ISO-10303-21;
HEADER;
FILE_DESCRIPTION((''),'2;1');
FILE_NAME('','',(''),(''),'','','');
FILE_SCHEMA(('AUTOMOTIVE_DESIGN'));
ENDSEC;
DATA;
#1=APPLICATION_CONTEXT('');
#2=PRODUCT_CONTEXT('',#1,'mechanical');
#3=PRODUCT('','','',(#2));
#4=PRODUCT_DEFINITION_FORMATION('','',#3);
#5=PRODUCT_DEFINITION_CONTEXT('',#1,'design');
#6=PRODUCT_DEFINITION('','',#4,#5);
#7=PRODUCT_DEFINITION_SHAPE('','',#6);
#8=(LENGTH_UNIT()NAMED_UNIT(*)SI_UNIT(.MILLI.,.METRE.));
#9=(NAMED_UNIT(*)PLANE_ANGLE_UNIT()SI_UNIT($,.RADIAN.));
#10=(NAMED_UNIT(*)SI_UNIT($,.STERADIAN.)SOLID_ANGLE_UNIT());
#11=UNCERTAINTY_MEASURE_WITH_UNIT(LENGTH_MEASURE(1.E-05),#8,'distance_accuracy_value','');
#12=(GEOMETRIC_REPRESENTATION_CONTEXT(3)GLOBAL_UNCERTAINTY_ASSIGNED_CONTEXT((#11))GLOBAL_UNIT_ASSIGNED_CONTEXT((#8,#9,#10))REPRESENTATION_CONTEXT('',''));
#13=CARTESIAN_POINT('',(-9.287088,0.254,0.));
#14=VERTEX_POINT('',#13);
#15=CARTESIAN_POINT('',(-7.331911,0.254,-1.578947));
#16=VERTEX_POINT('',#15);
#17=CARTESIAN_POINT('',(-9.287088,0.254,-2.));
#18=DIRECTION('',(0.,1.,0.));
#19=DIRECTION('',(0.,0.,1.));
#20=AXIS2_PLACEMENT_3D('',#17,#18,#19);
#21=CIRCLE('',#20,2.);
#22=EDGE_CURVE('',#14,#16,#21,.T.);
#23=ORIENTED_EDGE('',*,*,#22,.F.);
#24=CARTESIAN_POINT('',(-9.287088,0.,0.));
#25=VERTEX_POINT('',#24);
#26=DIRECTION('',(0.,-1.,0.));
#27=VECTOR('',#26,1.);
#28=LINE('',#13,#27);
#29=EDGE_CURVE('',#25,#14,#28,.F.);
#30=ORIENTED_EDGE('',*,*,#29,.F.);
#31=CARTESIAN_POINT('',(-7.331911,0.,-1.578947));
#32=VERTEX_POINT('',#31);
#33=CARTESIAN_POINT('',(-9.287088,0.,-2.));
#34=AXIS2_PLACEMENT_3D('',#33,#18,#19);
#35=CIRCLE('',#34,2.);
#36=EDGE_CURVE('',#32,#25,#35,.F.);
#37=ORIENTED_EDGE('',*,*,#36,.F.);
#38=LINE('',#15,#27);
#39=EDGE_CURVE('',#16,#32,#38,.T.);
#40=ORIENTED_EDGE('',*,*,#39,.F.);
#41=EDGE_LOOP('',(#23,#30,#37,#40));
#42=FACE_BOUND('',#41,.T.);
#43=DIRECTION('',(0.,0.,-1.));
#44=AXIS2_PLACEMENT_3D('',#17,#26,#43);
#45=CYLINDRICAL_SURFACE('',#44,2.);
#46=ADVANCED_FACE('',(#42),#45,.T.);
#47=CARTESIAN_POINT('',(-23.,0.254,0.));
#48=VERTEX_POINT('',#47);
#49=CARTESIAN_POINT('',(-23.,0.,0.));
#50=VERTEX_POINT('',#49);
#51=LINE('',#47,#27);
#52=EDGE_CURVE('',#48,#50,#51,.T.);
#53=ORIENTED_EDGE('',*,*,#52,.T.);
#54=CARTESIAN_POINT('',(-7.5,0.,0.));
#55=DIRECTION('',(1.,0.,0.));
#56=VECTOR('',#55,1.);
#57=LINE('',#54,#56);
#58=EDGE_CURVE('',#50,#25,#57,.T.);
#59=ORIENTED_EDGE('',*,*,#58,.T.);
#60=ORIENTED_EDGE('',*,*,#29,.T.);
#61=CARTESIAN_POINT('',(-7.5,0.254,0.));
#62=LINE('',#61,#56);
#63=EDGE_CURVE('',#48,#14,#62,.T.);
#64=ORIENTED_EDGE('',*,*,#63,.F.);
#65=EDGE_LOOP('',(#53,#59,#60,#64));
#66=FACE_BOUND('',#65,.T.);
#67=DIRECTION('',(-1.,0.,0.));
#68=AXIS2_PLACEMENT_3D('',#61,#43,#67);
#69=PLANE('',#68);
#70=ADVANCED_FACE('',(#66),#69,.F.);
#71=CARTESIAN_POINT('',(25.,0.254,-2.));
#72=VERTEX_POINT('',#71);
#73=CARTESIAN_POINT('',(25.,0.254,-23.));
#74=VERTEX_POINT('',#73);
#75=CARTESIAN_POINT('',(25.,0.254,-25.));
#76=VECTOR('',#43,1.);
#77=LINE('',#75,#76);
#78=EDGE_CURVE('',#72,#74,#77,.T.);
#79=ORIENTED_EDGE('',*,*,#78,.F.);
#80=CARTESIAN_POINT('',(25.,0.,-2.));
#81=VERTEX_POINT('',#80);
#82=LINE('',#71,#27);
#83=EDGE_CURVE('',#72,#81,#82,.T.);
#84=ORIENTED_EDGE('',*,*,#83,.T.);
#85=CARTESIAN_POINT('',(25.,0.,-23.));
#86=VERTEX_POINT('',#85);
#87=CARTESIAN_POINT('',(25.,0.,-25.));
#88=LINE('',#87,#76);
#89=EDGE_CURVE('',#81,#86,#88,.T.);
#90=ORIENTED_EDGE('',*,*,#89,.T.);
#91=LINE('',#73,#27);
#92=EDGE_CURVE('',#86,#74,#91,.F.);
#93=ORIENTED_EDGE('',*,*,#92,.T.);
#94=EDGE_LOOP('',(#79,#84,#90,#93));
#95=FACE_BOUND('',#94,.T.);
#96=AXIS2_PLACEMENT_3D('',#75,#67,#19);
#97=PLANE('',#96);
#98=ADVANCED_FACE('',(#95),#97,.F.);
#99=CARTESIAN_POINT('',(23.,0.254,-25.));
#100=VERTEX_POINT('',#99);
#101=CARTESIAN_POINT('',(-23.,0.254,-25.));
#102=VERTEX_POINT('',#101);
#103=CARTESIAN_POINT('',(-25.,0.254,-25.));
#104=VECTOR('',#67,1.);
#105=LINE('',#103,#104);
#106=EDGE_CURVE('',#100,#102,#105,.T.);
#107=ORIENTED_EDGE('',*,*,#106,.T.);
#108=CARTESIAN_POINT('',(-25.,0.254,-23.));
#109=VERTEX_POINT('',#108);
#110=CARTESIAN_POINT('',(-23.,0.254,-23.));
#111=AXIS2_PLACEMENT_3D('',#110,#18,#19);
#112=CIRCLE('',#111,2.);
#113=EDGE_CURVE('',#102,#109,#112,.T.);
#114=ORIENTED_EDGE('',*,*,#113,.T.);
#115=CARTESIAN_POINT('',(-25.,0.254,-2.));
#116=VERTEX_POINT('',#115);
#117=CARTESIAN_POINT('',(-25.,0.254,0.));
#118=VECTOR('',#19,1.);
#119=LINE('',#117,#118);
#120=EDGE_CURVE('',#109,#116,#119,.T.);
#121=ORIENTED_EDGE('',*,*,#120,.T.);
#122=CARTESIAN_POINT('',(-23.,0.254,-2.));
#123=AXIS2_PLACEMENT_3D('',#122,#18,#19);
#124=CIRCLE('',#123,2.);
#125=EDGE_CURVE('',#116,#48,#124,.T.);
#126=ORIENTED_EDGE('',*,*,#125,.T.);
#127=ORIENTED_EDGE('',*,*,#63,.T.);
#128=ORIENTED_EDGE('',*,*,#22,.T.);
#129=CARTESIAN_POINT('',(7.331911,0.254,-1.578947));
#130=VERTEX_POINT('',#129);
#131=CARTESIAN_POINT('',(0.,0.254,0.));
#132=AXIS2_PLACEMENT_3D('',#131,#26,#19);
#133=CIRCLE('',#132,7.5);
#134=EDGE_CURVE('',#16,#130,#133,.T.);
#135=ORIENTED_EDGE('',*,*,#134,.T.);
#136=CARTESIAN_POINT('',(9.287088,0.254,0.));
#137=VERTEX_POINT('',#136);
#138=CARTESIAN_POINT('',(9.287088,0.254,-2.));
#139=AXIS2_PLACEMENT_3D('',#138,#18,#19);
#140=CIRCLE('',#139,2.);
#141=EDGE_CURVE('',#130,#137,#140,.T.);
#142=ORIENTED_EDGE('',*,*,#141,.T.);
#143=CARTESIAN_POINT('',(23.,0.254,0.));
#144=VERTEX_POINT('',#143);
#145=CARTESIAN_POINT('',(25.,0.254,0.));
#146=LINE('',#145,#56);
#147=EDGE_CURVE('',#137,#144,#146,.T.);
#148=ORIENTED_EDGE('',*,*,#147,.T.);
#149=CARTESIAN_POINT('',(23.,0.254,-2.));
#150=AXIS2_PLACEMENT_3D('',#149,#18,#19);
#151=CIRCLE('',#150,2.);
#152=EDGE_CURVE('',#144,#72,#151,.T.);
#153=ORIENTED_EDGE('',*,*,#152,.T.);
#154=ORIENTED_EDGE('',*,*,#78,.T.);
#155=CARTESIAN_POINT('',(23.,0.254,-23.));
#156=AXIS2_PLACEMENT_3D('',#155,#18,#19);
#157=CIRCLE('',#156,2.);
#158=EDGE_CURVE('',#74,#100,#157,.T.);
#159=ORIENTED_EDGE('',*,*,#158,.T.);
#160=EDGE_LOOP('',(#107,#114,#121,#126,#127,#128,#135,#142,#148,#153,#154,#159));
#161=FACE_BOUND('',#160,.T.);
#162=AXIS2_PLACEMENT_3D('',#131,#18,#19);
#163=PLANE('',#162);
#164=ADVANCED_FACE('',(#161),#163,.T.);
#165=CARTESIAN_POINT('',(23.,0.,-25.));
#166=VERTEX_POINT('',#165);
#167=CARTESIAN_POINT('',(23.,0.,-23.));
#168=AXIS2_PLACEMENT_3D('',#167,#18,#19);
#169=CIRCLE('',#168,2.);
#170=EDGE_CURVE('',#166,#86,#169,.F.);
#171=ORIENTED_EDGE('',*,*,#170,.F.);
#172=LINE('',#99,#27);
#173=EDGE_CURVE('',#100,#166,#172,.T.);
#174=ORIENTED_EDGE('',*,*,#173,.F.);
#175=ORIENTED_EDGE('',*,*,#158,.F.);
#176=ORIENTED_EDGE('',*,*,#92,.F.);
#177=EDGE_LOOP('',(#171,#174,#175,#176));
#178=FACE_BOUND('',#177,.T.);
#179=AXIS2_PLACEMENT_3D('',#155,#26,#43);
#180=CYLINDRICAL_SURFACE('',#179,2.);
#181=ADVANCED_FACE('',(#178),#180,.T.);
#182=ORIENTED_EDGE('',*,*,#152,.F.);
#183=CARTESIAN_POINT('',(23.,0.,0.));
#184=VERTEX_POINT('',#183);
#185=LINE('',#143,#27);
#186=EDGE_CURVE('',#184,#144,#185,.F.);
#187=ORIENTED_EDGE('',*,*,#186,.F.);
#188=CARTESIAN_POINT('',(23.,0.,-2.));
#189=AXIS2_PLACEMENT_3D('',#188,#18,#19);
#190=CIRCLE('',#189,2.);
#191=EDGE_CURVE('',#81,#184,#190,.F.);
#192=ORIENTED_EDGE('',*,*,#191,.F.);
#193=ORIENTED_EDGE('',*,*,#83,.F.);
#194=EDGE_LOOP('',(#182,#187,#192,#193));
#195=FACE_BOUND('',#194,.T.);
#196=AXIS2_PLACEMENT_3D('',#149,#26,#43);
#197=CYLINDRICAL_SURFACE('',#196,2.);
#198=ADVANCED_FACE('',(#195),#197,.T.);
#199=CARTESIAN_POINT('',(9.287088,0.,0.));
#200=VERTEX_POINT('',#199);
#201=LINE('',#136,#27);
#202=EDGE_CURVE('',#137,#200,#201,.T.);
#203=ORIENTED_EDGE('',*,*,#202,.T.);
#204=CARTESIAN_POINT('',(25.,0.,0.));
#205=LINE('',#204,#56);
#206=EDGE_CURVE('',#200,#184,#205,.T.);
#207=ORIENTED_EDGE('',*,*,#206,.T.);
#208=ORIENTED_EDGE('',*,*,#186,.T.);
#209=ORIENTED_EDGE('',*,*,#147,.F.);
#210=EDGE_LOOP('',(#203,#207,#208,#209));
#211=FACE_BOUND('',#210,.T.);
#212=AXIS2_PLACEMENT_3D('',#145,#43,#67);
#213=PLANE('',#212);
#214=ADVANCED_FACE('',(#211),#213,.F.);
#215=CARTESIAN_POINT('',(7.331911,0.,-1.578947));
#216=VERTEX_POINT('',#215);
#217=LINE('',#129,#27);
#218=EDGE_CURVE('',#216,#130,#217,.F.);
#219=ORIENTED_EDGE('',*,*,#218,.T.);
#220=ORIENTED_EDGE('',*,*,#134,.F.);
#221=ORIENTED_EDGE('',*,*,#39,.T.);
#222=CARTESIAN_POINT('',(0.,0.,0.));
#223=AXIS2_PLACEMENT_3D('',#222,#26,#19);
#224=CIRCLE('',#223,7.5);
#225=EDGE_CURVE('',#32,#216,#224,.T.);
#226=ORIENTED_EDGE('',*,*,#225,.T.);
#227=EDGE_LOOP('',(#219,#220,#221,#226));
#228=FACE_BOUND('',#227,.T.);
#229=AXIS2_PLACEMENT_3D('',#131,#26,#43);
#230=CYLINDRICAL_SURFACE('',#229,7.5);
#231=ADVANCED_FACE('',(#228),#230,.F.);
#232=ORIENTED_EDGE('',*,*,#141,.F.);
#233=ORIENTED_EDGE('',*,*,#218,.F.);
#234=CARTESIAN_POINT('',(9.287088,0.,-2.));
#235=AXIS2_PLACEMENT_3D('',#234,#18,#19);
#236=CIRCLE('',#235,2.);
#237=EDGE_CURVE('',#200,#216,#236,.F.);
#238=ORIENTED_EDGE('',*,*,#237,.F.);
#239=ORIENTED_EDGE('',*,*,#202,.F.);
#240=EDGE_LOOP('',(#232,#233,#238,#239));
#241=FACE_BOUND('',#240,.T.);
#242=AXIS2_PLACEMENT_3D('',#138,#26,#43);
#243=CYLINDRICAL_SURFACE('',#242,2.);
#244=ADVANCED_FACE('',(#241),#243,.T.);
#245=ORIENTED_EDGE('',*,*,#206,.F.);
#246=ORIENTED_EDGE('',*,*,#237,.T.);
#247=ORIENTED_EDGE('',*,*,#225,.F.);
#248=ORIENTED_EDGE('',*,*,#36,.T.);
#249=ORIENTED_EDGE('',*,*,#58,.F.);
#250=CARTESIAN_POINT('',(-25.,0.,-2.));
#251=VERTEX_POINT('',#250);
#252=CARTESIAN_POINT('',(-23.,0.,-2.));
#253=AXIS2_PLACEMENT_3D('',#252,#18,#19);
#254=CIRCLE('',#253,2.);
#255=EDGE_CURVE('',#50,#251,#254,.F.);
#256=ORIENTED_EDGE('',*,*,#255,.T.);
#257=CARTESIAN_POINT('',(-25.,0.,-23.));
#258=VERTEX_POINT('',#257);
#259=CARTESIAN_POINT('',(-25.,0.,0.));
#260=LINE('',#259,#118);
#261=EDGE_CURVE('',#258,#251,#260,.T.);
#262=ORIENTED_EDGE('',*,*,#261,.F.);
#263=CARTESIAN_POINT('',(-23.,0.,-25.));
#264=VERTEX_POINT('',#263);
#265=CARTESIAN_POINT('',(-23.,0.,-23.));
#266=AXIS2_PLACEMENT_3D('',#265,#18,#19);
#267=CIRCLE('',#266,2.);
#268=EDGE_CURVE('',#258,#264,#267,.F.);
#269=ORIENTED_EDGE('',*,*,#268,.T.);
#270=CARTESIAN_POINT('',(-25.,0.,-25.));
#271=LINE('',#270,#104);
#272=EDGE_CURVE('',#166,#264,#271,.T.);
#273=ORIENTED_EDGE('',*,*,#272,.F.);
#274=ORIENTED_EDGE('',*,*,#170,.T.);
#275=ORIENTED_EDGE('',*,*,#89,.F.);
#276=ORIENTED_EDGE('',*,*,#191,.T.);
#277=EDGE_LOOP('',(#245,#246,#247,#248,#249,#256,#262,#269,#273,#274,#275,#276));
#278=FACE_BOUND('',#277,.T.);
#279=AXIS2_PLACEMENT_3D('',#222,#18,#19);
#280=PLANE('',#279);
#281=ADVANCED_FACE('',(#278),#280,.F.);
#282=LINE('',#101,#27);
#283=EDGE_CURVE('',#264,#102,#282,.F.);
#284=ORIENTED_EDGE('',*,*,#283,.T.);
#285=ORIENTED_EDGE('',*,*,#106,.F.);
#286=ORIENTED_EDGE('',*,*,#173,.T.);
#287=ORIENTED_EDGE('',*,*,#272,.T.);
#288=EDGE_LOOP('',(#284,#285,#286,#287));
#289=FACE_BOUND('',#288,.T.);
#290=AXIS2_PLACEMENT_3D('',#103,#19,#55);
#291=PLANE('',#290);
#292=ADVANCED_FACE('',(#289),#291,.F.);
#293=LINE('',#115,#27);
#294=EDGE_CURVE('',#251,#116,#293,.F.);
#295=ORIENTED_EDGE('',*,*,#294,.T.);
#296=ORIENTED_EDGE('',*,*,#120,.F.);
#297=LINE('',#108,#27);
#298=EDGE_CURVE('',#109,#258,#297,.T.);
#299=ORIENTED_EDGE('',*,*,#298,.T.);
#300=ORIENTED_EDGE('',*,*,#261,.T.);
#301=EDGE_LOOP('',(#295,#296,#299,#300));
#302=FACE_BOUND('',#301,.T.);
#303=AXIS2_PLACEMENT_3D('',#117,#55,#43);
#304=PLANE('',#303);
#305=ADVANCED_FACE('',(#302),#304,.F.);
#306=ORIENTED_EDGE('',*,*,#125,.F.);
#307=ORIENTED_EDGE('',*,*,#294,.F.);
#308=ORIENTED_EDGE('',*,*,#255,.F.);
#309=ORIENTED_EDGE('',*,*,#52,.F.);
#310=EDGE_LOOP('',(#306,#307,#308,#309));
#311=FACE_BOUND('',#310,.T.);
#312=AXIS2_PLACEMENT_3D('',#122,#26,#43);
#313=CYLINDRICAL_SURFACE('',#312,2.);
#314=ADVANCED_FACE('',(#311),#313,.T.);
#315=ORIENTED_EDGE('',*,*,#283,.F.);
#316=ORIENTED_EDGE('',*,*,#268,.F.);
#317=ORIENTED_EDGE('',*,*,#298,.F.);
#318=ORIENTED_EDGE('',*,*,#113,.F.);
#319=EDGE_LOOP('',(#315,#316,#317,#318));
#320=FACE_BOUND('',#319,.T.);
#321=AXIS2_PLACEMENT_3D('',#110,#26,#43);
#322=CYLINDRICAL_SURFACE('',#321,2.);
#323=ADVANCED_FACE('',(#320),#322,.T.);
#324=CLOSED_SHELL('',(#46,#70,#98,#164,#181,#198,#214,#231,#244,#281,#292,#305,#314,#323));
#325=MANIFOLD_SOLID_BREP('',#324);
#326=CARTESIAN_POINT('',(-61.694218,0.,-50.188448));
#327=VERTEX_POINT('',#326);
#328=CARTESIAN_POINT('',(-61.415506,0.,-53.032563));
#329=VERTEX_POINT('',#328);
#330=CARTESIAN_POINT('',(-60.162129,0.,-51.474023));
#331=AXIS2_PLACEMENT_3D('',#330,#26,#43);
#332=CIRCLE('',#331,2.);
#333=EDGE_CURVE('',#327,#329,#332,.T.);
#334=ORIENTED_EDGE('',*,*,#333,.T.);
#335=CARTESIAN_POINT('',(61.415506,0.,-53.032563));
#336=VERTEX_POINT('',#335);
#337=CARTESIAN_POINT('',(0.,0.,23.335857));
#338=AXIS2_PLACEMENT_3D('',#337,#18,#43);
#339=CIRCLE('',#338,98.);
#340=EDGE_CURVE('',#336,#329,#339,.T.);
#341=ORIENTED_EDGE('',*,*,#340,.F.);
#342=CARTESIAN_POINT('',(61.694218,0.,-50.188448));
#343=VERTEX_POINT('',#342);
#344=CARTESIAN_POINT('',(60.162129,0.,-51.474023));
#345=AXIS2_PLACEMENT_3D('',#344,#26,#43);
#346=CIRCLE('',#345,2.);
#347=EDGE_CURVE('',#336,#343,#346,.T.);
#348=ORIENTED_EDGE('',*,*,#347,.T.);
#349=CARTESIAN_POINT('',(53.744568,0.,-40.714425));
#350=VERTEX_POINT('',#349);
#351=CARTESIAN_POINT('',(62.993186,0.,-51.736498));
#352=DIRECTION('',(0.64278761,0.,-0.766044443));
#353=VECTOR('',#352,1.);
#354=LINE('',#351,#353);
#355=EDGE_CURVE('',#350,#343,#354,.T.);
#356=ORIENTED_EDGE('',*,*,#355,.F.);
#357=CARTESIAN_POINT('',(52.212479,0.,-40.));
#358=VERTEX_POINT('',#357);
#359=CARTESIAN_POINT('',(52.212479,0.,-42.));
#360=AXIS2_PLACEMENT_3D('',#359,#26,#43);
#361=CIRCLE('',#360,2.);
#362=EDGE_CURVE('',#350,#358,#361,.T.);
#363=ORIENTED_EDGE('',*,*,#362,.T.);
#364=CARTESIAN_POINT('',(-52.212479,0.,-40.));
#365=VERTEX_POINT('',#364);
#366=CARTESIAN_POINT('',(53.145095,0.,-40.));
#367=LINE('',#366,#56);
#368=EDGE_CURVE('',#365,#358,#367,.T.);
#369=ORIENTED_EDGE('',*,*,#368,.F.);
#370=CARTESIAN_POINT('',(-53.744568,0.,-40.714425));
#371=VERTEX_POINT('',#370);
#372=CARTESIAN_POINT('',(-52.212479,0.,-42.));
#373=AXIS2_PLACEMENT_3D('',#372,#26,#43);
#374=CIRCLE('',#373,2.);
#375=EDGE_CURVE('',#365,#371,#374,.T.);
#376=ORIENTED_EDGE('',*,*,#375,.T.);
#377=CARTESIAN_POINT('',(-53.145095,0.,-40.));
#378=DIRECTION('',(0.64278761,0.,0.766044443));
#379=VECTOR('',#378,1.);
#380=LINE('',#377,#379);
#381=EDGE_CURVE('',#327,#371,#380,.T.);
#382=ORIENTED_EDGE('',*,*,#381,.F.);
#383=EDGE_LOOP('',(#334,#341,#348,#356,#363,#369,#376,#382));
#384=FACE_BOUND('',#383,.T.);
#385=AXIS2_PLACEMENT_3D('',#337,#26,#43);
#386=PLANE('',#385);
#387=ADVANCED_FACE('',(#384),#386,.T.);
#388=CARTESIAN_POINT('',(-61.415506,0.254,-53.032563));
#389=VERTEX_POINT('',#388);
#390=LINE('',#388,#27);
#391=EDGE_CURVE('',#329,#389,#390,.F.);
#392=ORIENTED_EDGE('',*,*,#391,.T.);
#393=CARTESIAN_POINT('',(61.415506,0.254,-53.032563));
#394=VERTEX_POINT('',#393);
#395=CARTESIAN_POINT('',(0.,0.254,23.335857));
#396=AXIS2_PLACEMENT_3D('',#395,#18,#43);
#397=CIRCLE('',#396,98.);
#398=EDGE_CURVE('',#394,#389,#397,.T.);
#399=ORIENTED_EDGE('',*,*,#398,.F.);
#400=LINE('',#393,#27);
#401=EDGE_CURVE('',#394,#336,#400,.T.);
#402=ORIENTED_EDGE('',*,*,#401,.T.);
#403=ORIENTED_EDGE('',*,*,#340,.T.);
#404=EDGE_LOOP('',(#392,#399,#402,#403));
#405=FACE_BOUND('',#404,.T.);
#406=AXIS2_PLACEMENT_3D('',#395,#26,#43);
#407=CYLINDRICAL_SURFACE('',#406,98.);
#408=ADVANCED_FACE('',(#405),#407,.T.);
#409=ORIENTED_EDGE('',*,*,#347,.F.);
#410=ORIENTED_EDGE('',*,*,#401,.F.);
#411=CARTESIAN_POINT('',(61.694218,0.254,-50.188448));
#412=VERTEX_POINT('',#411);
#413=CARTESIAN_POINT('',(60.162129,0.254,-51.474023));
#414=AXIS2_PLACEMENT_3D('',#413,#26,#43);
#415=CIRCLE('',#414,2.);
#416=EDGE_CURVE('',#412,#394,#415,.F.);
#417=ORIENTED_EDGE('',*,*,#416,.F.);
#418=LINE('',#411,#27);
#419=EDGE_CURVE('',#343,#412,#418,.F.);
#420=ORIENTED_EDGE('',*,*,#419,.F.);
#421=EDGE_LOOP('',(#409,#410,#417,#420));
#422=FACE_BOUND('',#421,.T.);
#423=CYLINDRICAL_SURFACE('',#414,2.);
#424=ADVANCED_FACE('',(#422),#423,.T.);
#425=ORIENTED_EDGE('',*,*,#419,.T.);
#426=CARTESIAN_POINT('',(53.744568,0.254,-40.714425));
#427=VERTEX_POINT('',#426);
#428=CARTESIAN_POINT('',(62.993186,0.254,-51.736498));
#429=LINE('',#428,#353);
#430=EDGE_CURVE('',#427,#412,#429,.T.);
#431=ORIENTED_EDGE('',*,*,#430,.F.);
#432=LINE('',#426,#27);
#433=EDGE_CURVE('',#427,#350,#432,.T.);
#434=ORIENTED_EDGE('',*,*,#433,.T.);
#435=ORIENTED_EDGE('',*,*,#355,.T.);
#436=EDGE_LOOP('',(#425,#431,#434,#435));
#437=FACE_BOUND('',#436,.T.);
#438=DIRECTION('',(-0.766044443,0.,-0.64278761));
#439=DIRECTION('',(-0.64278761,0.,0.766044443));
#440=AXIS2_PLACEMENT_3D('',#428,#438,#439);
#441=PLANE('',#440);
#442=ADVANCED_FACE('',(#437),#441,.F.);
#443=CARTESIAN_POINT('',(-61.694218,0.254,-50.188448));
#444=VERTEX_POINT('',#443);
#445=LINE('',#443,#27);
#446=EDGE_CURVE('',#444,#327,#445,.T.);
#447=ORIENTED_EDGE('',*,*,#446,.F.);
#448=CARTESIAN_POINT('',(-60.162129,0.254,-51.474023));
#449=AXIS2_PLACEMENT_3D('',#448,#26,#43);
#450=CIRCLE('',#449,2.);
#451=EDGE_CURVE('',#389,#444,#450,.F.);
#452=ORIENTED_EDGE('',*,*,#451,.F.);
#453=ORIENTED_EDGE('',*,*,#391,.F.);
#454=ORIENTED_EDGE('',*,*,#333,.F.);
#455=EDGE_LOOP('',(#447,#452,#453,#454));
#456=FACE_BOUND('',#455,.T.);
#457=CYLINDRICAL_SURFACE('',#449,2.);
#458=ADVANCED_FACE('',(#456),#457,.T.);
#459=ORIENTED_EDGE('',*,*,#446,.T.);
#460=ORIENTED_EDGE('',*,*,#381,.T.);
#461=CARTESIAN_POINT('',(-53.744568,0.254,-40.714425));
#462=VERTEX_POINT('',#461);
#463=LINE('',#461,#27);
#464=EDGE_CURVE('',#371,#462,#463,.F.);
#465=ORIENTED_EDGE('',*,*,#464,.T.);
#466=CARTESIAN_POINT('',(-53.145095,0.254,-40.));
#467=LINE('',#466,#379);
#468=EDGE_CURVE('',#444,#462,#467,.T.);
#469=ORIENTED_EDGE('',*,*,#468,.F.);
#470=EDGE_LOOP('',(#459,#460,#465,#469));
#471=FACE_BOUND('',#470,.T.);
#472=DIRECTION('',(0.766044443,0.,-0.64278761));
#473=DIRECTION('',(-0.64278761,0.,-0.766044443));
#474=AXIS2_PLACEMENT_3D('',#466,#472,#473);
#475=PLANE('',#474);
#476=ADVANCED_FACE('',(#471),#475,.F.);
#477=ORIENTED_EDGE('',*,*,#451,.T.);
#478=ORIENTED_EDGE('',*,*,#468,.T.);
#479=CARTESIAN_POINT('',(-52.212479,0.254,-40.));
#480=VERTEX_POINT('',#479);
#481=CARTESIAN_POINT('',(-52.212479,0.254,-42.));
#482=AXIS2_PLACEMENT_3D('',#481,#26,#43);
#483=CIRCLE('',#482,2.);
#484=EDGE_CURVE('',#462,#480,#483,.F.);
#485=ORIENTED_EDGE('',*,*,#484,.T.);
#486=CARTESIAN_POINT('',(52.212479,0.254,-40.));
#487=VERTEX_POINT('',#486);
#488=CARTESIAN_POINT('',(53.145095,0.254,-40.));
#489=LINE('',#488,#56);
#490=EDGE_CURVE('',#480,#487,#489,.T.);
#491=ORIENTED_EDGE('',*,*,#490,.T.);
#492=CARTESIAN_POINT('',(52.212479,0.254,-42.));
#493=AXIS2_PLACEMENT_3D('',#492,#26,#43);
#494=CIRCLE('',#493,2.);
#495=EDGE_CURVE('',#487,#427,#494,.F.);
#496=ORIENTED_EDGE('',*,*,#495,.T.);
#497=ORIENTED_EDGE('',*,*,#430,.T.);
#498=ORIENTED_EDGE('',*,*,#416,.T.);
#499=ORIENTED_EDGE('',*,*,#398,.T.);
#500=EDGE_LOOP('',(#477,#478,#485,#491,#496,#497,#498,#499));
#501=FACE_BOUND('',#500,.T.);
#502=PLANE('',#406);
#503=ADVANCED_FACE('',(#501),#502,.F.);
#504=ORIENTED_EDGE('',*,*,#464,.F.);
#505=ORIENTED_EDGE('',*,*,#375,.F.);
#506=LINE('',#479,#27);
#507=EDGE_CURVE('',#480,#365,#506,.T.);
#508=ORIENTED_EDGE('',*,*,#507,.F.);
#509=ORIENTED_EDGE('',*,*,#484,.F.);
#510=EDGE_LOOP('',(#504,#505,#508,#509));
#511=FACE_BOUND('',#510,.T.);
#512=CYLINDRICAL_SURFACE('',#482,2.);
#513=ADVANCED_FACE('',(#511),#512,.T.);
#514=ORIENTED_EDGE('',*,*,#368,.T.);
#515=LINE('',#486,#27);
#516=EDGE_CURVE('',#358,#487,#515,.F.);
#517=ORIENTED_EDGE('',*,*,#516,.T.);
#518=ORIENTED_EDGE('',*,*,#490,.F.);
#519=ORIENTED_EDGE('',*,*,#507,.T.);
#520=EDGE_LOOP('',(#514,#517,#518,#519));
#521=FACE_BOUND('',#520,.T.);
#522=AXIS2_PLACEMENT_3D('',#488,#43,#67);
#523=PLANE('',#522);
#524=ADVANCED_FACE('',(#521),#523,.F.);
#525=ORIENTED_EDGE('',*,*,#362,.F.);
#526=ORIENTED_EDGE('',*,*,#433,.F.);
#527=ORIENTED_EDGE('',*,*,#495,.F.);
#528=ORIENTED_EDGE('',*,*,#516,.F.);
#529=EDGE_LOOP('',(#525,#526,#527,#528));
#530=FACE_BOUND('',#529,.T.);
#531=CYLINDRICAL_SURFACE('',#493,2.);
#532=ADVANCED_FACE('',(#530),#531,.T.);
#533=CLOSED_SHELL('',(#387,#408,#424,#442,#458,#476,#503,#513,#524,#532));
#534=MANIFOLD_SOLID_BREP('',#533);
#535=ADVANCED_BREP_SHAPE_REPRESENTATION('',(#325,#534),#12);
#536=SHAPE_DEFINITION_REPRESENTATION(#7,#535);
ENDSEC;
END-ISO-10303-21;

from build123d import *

# Parameters (mm, degrees)
BOSS_EXTRUDE1_DEPTH   = 0.254
BOSS_EXTRUDE1_2_DEPTH = 0.254
FILLET1_R             = 2
FILLET2_R             = 2


with BuildPart() as part:
    # Sketch1 → Boss-Extrude1 (new body)
    with BuildSketch(Plane(origin=(0, 0, 0), x_dir=(1, 0, 0), z_dir=(0, 1, 0))):
        with BuildLine():
            Line((-7.5, 0), (-25, 0))
            Line((-25, 0), (-25, 25))
            Line((-25, 25), (25, 25))
            Line((25, 25), (25, 0))
            Line((25, 0), (7.5, 0))
            ThreePointArc((7.5, 0), (0, 7.5), (-7.5, 0))
        make_face()
    extrude(amount=BOSS_EXTRUDE1_DEPTH)

    # Fillet2
    fillet2_edges = [part.edges().sort_by_distance(p)[0] for p in [
        (-7.5, 0.127, 0),
        (-25, 0.127, 0),
        (-25, 0.127, -25),
        (25, 0.127, -25),
        (25, 0.127, 0),
        (7.5, 0.127, 0),
    ]]
    fillet(fillet2_edges, radius=FILLET2_R)


with BuildPart() as body_2:
    # Sketch1 → Boss-Extrude1 2 (new body)
    with BuildSketch(Plane(origin=(0, 0, 0), x_dir=(1, 0, 0), z_dir=(0, 1, 0))):
        with BuildLine():
            Line((53.145094587, 40), (-53.145094587, 40))
            Line((-53.145094587, 40), (-62.993185749, 51.736498023))
            ThreePointArc((-62.993185749, 51.736498023), (0, 74.664142597), (62.993185749, 51.736498023))
            Line((62.993185749, 51.736498023), (53.145094587, 40))
        make_face()
    extrude(amount=BOSS_EXTRUDE1_2_DEPTH)

    # Fillet1
    fillet1_edges = [body_2.edges().sort_by_distance(p)[0] for p in [
        (53.145094587, 0.127, -40),
        (-53.145094587, 0.127, -40),
        (-62.993185749, 0.127, -51.736498023),
        (62.993185749, 0.127, -51.736498023),
    ]]
    fillet(fillet1_edges, radius=FILLET1_R)


solid = Compound([part.part, body_2.part])
